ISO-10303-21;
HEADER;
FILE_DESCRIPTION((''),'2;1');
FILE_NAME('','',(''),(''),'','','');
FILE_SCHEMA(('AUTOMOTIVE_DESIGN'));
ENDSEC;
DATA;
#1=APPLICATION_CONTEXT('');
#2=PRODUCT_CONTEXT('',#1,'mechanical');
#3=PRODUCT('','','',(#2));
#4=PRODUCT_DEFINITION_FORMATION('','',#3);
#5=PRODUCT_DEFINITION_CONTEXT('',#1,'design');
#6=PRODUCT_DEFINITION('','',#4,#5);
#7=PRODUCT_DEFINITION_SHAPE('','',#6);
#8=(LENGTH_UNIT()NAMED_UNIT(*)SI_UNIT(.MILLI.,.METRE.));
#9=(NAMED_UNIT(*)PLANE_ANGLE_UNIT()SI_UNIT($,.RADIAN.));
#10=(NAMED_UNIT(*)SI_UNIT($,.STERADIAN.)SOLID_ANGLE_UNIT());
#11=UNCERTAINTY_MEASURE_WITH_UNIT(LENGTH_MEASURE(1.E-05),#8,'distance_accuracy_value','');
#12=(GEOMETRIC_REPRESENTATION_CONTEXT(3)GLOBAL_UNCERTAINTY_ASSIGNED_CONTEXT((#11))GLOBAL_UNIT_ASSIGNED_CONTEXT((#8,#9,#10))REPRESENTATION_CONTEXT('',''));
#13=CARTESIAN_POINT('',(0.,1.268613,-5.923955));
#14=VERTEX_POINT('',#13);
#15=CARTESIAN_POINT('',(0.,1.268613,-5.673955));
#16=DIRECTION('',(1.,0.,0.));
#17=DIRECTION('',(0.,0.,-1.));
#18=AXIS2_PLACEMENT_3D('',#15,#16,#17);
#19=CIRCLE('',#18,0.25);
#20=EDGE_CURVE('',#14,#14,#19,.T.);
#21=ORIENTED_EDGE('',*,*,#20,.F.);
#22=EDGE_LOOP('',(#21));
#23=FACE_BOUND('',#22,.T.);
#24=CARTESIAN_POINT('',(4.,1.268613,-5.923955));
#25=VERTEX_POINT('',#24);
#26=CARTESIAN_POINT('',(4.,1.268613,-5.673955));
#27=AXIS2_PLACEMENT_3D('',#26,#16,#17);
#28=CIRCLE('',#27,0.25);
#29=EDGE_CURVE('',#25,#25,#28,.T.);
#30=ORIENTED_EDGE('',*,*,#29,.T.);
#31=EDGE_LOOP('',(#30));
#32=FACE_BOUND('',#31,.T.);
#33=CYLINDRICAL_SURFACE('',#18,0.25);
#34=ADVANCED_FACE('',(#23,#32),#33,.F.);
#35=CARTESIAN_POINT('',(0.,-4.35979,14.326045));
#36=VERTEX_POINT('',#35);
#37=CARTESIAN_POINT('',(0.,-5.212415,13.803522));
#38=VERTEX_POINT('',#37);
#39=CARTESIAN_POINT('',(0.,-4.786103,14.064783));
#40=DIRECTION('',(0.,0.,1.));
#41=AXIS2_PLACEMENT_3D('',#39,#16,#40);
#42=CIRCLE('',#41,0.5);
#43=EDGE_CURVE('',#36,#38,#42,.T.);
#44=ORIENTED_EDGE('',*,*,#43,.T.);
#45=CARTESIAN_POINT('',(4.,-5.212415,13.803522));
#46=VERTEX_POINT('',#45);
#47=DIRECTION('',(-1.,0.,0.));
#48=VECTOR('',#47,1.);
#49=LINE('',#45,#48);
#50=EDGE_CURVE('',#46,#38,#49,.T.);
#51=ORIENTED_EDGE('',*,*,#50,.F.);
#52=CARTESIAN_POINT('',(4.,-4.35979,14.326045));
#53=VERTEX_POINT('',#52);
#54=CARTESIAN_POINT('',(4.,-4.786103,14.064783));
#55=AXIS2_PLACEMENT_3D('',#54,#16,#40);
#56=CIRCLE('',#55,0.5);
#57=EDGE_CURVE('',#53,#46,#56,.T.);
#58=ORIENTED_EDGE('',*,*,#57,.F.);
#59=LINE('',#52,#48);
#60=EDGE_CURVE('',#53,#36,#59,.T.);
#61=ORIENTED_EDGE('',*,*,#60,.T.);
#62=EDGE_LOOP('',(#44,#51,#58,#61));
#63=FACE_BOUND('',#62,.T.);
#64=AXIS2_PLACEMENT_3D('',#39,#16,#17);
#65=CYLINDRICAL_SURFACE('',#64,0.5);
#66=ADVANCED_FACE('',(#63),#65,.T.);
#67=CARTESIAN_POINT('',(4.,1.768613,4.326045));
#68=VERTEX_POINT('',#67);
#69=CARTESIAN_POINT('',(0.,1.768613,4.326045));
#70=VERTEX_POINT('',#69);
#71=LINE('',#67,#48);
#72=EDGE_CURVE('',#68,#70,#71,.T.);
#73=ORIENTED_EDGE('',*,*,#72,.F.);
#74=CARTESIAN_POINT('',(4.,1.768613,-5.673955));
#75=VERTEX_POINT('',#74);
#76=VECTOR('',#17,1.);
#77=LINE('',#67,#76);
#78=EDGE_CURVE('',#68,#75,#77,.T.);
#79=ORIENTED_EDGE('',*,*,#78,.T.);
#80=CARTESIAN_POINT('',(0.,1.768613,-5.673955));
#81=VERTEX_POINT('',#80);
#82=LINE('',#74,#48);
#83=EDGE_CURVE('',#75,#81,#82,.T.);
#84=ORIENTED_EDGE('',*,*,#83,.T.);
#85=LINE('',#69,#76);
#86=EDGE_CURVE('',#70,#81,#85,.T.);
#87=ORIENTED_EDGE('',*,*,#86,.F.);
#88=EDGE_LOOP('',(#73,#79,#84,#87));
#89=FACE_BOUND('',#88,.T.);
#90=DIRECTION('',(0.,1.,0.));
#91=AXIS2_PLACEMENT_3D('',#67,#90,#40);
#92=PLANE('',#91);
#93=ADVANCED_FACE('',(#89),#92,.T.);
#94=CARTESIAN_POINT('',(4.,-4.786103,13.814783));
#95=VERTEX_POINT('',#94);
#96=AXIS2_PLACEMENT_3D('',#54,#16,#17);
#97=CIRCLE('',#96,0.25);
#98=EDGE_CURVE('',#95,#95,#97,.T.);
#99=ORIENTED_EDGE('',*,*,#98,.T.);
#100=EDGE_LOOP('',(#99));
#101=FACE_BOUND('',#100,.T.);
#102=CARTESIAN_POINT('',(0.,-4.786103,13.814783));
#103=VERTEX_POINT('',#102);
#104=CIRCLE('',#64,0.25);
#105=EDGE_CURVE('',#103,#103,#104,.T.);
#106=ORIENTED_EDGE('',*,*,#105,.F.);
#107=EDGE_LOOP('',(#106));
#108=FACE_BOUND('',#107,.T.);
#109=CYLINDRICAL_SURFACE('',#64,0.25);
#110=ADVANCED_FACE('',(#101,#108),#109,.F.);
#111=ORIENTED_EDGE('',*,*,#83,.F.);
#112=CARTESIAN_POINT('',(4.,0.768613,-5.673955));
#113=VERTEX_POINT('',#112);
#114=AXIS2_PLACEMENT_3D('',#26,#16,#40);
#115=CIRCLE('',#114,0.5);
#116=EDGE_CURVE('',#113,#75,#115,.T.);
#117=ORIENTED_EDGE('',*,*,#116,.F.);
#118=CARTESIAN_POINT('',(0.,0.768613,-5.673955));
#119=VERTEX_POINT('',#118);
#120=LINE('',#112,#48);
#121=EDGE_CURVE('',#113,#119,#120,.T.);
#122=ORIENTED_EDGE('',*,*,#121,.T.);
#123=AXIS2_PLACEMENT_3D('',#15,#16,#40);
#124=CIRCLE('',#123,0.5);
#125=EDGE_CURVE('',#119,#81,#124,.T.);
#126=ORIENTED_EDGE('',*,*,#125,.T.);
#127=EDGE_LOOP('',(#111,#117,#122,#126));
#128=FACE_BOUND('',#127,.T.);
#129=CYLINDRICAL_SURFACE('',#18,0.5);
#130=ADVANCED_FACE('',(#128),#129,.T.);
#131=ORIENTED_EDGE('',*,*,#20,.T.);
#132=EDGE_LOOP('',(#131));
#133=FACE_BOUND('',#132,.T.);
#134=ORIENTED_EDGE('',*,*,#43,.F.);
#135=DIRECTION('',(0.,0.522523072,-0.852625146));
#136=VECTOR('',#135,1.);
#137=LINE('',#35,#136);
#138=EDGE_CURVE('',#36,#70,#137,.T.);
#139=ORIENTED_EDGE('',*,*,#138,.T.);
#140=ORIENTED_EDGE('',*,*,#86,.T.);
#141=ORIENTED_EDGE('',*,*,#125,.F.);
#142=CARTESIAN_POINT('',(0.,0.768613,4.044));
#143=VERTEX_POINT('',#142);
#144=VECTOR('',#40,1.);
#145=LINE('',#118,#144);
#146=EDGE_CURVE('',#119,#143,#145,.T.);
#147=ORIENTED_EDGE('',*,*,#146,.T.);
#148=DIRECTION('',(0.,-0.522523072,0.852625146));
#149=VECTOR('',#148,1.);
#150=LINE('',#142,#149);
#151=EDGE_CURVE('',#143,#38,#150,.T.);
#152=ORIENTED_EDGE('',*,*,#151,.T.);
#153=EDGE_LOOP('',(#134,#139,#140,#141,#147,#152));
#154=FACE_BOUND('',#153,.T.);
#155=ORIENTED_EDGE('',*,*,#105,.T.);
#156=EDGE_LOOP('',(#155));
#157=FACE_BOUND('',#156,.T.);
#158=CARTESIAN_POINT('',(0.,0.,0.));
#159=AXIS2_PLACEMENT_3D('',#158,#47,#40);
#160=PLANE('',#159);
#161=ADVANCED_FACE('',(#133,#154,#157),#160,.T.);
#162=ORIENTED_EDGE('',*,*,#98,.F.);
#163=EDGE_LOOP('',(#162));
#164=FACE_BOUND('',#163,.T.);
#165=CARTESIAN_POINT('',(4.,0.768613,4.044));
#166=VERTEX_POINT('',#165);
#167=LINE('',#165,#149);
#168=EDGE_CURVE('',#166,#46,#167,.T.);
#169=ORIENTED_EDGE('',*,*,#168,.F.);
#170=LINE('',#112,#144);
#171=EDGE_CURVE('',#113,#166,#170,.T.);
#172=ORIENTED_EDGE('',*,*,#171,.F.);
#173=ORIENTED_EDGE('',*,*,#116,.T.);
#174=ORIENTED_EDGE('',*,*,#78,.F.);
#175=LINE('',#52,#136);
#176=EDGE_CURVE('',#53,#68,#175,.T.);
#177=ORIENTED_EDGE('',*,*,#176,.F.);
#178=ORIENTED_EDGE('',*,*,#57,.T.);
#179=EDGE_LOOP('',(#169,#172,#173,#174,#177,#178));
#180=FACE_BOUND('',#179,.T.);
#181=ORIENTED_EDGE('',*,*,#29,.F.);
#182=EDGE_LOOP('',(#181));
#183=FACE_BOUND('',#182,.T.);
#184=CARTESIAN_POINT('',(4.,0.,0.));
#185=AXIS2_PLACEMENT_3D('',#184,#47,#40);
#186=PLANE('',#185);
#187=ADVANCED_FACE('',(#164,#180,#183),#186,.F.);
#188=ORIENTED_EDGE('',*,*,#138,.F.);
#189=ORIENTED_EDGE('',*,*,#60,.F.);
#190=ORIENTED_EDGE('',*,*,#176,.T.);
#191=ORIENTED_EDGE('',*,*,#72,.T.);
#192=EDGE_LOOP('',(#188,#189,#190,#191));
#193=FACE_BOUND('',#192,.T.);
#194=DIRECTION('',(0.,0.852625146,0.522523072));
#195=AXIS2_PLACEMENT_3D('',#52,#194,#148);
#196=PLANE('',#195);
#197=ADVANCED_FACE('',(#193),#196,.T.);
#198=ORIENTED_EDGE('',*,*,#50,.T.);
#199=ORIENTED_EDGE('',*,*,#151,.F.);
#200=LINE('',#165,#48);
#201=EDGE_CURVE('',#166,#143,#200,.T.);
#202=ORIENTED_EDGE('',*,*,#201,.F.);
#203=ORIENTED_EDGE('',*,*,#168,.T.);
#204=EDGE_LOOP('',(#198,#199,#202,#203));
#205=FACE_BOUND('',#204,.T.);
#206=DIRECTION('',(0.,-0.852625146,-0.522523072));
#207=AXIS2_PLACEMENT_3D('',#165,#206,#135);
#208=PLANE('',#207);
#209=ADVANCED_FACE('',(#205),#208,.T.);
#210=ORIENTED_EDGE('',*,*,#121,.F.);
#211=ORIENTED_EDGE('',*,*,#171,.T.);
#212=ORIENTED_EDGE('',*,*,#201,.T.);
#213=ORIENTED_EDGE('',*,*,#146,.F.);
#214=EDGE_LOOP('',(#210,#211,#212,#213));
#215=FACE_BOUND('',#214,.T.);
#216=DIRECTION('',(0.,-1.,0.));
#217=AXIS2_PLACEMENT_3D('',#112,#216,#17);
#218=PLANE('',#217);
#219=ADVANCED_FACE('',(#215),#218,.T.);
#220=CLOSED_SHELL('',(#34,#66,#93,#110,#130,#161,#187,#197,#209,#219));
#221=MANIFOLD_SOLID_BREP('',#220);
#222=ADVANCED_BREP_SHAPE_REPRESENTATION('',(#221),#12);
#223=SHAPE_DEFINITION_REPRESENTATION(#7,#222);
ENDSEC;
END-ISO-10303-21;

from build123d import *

# Parameters (mm, degrees)
EXTRUDE_2_DEPTH     = 4
EXTRUDE_3_DEPTH     = 4
SKETCH_3_R          = 0.25
CUT_EXTRUDE_1_DEPTH = 4


with BuildPart() as part:
    # 草图1 → 凸台-拉伸2 (new body)
    with BuildSketch(Plane(origin=(0, 0, 0), x_dir=(0, 0, -1), z_dir=(1, 0, 0))):
        Polygon((-4.326044833, 1.768613288), (5.673955167, 1.768613288), (5.673955167, 0.768613288), (-4.04400015, 0.768613288), (-13.803521761, -5.212415113), (-14.326044833, -4.359789967), align=None)
    extrude(amount=EXTRUDE_2_DEPTH)

    # 草图2 → 凸台-拉伸3 (add)
    with BuildSketch(Plane(origin=(4, 0, 0), x_dir=(0, 0, -1), z_dir=(1, 0, 0))):
        with BuildLine():
            Line((5.673955167, 0.768613288), (5.673955167, 1.768613288))
            ThreePointArc((5.673955167, 1.768613288), (6.173955167, 1.268613288), (5.673955167, 0.768613288))
        make_face()
        with BuildLine():
            Line((-14.326044833, -4.359789967), (-13.803521761, -5.212415113))
            ThreePointArc((-13.803521761, -5.212415113), (-14.49109587, -5.047364076), (-14.326044833, -4.359789967))
        make_face()
    extrude(amount=-EXTRUDE_3_DEPTH)

    # 草图3 → 切除-拉伸1 (cut)
    with BuildSketch(Plane(origin=(4, 0, 0), x_dir=(0, 0, -1), z_dir=(1, 0, 0))):
        with Locations((-14.064783297, -4.78610254)):
            Circle(SKETCH_3_R)
        with Locations((5.673955167, 1.268613288)):
            Circle(SKETCH_3_R)
    extrude(amount=-CUT_EXTRUDE_1_DEPTH, mode=Mode.SUBTRACT)


solid = part.part
